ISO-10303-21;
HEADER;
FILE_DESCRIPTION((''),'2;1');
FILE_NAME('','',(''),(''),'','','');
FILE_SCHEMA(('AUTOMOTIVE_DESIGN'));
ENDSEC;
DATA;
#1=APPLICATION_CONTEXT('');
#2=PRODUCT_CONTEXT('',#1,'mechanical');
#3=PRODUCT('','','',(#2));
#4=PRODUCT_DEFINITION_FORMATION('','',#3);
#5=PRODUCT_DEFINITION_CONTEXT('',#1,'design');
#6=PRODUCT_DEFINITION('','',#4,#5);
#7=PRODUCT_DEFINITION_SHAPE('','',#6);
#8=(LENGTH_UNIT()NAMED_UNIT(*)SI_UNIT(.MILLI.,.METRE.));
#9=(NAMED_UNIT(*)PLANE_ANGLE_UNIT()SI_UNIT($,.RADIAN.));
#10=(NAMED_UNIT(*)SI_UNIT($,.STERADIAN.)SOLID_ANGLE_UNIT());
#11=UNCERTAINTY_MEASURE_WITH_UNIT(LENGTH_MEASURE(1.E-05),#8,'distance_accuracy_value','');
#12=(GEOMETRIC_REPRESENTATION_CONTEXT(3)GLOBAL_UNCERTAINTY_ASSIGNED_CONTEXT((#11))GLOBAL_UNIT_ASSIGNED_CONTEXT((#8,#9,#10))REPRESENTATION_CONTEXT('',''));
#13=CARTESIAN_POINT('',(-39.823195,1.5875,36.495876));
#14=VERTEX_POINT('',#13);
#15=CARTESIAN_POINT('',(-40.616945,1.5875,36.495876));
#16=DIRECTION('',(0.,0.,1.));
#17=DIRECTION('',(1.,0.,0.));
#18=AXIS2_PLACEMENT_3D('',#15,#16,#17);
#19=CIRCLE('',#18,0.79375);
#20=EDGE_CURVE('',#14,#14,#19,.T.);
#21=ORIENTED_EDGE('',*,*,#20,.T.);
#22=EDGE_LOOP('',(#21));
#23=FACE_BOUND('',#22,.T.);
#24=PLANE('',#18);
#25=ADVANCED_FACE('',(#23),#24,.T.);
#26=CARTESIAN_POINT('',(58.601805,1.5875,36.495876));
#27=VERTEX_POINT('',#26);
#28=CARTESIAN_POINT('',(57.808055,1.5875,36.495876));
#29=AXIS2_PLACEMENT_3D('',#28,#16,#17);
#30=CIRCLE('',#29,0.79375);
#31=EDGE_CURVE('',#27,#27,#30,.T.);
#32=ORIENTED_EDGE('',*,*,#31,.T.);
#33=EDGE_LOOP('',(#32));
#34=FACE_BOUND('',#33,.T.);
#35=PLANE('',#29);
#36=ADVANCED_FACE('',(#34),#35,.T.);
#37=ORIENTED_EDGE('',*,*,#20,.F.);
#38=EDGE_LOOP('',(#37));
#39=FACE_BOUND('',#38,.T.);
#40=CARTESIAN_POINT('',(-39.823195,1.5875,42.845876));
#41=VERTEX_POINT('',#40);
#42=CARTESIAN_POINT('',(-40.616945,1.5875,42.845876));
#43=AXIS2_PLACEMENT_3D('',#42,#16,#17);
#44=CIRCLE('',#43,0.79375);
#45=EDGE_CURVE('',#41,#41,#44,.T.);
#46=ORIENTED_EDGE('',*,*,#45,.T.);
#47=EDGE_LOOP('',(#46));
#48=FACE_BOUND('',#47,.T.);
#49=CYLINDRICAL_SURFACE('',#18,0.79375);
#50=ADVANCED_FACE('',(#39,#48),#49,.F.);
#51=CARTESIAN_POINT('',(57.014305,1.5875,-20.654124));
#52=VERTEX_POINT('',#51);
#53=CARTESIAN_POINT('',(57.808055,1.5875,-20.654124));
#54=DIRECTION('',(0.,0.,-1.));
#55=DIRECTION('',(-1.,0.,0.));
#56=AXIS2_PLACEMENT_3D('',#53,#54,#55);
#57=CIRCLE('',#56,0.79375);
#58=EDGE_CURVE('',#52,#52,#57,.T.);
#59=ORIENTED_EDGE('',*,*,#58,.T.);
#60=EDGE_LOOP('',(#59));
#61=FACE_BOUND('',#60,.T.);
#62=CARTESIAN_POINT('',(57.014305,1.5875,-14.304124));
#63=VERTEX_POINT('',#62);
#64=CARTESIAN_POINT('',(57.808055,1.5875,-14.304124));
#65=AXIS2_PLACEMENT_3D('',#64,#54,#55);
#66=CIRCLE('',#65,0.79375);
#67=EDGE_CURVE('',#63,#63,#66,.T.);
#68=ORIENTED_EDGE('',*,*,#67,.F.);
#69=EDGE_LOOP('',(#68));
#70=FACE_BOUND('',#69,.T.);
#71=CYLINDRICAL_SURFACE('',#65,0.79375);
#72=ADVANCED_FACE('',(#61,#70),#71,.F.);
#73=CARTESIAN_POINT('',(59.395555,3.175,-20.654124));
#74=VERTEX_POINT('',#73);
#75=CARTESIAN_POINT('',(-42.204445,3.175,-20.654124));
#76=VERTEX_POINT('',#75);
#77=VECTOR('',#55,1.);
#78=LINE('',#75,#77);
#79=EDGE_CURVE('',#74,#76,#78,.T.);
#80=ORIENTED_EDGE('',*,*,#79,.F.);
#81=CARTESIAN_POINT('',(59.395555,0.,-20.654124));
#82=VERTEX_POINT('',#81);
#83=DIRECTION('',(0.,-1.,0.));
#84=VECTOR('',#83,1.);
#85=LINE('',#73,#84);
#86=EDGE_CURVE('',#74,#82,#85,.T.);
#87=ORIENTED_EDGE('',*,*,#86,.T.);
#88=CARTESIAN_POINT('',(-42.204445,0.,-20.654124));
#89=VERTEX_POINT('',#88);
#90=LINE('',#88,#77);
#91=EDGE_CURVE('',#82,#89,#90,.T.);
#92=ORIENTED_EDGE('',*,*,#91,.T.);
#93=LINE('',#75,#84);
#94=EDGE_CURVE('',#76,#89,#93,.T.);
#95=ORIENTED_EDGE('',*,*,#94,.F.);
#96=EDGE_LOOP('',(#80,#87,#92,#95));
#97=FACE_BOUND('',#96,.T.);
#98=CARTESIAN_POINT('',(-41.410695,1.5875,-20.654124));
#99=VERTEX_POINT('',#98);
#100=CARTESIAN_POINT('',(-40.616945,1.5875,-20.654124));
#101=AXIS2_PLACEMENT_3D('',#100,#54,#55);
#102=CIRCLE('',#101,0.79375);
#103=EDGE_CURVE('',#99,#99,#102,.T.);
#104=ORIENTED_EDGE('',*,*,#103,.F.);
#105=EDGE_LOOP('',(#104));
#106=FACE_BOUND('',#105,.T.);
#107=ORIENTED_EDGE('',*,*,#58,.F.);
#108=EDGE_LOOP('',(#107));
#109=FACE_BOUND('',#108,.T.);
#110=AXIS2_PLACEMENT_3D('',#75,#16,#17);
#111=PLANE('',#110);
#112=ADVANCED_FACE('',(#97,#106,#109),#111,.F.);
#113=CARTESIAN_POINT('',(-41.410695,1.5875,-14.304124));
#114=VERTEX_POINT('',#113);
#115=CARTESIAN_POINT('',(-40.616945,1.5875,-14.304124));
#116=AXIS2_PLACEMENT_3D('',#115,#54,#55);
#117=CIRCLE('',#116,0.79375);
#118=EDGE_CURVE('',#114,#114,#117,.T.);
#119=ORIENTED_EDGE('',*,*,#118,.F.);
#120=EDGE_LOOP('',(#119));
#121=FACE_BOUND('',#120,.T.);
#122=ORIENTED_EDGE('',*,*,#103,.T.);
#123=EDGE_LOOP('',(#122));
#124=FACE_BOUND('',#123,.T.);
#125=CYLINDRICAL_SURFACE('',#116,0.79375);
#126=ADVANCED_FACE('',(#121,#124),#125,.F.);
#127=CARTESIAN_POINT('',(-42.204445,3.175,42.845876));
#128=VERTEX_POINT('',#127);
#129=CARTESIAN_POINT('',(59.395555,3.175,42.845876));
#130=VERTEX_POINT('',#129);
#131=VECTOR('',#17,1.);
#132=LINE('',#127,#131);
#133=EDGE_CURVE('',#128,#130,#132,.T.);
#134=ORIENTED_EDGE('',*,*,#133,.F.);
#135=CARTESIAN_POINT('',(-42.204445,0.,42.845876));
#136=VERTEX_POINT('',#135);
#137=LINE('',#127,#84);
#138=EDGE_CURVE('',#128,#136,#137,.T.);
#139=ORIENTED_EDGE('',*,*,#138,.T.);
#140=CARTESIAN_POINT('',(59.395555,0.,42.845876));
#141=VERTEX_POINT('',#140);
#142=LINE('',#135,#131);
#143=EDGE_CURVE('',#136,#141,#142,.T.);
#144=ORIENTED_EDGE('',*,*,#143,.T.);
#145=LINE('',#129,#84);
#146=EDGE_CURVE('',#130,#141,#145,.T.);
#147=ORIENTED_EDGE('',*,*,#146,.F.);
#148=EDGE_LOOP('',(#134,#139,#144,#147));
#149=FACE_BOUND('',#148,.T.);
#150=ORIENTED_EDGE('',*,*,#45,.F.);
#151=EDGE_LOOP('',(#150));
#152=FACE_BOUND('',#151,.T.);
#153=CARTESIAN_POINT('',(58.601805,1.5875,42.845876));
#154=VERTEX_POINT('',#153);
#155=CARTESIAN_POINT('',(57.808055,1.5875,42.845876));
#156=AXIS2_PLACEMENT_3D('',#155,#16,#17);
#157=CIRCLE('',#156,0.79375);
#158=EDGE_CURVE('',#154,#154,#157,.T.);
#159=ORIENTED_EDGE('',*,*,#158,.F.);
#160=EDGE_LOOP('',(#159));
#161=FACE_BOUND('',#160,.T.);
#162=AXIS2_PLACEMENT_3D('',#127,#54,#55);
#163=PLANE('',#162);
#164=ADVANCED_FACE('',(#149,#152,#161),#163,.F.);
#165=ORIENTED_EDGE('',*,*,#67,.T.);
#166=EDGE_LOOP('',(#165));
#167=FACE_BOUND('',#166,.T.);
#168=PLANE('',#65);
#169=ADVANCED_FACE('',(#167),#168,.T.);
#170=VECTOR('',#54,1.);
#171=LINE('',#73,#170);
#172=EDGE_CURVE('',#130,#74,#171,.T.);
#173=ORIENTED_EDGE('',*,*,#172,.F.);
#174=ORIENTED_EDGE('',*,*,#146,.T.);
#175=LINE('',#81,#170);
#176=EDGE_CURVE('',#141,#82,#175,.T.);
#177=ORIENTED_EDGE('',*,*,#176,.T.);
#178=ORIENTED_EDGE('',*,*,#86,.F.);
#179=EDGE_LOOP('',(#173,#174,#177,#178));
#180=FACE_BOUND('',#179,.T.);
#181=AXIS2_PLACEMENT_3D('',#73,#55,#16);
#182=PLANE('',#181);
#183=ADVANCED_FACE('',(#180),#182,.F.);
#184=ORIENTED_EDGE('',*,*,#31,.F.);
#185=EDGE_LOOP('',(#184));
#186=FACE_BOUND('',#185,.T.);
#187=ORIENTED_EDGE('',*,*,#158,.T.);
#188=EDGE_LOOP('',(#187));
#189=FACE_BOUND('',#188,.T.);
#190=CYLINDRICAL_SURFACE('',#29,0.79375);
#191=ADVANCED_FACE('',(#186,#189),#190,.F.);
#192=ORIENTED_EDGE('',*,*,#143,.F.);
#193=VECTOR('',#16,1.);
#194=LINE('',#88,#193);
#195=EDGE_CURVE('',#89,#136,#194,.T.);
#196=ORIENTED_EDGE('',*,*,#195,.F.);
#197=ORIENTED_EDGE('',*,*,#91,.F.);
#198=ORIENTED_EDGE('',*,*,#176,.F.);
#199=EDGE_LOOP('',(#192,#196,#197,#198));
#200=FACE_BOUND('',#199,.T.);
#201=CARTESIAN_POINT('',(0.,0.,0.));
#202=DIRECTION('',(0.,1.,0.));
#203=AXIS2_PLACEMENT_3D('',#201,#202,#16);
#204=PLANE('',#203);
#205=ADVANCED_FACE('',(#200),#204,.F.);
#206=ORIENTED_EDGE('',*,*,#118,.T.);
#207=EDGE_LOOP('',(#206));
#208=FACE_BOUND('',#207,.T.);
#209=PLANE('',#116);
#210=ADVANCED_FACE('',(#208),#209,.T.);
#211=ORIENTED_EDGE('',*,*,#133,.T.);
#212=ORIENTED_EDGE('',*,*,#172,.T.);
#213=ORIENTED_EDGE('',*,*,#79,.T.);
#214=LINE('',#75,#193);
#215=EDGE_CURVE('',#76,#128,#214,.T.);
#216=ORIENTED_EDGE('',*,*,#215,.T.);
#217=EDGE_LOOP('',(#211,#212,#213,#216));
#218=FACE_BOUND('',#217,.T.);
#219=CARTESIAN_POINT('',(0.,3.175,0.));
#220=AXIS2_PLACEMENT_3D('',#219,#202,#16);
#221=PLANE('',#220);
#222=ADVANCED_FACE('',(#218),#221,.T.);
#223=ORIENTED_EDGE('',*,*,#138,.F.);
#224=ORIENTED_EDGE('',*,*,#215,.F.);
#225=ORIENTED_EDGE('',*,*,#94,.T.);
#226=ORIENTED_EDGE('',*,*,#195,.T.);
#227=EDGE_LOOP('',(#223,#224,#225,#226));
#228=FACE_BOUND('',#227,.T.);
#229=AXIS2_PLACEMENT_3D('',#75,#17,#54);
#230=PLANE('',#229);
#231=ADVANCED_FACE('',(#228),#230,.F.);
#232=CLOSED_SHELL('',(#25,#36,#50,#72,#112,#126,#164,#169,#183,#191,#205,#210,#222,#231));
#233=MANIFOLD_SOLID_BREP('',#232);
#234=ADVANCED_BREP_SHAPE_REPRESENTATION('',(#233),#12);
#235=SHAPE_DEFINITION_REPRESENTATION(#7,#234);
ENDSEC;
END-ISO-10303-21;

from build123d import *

# Parameters (mm, degrees)
SKETCH1_W           = 101.6
SKETCH1_H           = 63.5
BOSS_EXTRUDE1_DEPTH = 3.175
SKETCH2_R           = 0.79375
CUT_EXTRUDE1_DEPTH  = 6.35
SKETCH3_R           = 0.79375
CUT_EXTRUDE2_DEPTH  = 6.35


with BuildPart() as part:
    # Sketch1 → Boss-Extrude1 (new body)
    with BuildSketch(Plane(origin=(0, 0, 0), x_dir=(1, 0, 0), z_dir=(0, 1, 0))):
        with Locations((8.595554542, -11.095875723)):
            Rectangle(SKETCH1_W, SKETCH1_H)
    extrude(amount=BOSS_EXTRUDE1_DEPTH)

    # Sketch2 → Cut-Extrude1 (cut)
    with BuildSketch(Plane.XY.offset(42.845875723)):
        with Locations((-40.616945458, 1.5875)):
            Circle(SKETCH2_R)
        with Locations((57.808054542, 1.5875)):
            Circle(SKETCH2_R)
    extrude(amount=-CUT_EXTRUDE1_DEPTH, mode=Mode.SUBTRACT)

    # Sketch3 → Cut-Extrude2 (cut)
    with BuildSketch(Plane(origin=(0, 0, -20.654124277), x_dir=(-1, 0, 0), z_dir=(0, 0, -1))):
        with Locations(Location((-57.808054542, 1.5875, 0), (0, 0, 180))):  # turned: the seam where the file's is
            Circle(SKETCH3_R)
        with Locations(Location((40.616945458, 1.5875, 0), (0, 0, 180))):  # turned: the seam where the file's is
            Circle(SKETCH3_R)
    extrude(amount=-CUT_EXTRUDE2_DEPTH, mode=Mode.SUBTRACT)


solid = part.part
